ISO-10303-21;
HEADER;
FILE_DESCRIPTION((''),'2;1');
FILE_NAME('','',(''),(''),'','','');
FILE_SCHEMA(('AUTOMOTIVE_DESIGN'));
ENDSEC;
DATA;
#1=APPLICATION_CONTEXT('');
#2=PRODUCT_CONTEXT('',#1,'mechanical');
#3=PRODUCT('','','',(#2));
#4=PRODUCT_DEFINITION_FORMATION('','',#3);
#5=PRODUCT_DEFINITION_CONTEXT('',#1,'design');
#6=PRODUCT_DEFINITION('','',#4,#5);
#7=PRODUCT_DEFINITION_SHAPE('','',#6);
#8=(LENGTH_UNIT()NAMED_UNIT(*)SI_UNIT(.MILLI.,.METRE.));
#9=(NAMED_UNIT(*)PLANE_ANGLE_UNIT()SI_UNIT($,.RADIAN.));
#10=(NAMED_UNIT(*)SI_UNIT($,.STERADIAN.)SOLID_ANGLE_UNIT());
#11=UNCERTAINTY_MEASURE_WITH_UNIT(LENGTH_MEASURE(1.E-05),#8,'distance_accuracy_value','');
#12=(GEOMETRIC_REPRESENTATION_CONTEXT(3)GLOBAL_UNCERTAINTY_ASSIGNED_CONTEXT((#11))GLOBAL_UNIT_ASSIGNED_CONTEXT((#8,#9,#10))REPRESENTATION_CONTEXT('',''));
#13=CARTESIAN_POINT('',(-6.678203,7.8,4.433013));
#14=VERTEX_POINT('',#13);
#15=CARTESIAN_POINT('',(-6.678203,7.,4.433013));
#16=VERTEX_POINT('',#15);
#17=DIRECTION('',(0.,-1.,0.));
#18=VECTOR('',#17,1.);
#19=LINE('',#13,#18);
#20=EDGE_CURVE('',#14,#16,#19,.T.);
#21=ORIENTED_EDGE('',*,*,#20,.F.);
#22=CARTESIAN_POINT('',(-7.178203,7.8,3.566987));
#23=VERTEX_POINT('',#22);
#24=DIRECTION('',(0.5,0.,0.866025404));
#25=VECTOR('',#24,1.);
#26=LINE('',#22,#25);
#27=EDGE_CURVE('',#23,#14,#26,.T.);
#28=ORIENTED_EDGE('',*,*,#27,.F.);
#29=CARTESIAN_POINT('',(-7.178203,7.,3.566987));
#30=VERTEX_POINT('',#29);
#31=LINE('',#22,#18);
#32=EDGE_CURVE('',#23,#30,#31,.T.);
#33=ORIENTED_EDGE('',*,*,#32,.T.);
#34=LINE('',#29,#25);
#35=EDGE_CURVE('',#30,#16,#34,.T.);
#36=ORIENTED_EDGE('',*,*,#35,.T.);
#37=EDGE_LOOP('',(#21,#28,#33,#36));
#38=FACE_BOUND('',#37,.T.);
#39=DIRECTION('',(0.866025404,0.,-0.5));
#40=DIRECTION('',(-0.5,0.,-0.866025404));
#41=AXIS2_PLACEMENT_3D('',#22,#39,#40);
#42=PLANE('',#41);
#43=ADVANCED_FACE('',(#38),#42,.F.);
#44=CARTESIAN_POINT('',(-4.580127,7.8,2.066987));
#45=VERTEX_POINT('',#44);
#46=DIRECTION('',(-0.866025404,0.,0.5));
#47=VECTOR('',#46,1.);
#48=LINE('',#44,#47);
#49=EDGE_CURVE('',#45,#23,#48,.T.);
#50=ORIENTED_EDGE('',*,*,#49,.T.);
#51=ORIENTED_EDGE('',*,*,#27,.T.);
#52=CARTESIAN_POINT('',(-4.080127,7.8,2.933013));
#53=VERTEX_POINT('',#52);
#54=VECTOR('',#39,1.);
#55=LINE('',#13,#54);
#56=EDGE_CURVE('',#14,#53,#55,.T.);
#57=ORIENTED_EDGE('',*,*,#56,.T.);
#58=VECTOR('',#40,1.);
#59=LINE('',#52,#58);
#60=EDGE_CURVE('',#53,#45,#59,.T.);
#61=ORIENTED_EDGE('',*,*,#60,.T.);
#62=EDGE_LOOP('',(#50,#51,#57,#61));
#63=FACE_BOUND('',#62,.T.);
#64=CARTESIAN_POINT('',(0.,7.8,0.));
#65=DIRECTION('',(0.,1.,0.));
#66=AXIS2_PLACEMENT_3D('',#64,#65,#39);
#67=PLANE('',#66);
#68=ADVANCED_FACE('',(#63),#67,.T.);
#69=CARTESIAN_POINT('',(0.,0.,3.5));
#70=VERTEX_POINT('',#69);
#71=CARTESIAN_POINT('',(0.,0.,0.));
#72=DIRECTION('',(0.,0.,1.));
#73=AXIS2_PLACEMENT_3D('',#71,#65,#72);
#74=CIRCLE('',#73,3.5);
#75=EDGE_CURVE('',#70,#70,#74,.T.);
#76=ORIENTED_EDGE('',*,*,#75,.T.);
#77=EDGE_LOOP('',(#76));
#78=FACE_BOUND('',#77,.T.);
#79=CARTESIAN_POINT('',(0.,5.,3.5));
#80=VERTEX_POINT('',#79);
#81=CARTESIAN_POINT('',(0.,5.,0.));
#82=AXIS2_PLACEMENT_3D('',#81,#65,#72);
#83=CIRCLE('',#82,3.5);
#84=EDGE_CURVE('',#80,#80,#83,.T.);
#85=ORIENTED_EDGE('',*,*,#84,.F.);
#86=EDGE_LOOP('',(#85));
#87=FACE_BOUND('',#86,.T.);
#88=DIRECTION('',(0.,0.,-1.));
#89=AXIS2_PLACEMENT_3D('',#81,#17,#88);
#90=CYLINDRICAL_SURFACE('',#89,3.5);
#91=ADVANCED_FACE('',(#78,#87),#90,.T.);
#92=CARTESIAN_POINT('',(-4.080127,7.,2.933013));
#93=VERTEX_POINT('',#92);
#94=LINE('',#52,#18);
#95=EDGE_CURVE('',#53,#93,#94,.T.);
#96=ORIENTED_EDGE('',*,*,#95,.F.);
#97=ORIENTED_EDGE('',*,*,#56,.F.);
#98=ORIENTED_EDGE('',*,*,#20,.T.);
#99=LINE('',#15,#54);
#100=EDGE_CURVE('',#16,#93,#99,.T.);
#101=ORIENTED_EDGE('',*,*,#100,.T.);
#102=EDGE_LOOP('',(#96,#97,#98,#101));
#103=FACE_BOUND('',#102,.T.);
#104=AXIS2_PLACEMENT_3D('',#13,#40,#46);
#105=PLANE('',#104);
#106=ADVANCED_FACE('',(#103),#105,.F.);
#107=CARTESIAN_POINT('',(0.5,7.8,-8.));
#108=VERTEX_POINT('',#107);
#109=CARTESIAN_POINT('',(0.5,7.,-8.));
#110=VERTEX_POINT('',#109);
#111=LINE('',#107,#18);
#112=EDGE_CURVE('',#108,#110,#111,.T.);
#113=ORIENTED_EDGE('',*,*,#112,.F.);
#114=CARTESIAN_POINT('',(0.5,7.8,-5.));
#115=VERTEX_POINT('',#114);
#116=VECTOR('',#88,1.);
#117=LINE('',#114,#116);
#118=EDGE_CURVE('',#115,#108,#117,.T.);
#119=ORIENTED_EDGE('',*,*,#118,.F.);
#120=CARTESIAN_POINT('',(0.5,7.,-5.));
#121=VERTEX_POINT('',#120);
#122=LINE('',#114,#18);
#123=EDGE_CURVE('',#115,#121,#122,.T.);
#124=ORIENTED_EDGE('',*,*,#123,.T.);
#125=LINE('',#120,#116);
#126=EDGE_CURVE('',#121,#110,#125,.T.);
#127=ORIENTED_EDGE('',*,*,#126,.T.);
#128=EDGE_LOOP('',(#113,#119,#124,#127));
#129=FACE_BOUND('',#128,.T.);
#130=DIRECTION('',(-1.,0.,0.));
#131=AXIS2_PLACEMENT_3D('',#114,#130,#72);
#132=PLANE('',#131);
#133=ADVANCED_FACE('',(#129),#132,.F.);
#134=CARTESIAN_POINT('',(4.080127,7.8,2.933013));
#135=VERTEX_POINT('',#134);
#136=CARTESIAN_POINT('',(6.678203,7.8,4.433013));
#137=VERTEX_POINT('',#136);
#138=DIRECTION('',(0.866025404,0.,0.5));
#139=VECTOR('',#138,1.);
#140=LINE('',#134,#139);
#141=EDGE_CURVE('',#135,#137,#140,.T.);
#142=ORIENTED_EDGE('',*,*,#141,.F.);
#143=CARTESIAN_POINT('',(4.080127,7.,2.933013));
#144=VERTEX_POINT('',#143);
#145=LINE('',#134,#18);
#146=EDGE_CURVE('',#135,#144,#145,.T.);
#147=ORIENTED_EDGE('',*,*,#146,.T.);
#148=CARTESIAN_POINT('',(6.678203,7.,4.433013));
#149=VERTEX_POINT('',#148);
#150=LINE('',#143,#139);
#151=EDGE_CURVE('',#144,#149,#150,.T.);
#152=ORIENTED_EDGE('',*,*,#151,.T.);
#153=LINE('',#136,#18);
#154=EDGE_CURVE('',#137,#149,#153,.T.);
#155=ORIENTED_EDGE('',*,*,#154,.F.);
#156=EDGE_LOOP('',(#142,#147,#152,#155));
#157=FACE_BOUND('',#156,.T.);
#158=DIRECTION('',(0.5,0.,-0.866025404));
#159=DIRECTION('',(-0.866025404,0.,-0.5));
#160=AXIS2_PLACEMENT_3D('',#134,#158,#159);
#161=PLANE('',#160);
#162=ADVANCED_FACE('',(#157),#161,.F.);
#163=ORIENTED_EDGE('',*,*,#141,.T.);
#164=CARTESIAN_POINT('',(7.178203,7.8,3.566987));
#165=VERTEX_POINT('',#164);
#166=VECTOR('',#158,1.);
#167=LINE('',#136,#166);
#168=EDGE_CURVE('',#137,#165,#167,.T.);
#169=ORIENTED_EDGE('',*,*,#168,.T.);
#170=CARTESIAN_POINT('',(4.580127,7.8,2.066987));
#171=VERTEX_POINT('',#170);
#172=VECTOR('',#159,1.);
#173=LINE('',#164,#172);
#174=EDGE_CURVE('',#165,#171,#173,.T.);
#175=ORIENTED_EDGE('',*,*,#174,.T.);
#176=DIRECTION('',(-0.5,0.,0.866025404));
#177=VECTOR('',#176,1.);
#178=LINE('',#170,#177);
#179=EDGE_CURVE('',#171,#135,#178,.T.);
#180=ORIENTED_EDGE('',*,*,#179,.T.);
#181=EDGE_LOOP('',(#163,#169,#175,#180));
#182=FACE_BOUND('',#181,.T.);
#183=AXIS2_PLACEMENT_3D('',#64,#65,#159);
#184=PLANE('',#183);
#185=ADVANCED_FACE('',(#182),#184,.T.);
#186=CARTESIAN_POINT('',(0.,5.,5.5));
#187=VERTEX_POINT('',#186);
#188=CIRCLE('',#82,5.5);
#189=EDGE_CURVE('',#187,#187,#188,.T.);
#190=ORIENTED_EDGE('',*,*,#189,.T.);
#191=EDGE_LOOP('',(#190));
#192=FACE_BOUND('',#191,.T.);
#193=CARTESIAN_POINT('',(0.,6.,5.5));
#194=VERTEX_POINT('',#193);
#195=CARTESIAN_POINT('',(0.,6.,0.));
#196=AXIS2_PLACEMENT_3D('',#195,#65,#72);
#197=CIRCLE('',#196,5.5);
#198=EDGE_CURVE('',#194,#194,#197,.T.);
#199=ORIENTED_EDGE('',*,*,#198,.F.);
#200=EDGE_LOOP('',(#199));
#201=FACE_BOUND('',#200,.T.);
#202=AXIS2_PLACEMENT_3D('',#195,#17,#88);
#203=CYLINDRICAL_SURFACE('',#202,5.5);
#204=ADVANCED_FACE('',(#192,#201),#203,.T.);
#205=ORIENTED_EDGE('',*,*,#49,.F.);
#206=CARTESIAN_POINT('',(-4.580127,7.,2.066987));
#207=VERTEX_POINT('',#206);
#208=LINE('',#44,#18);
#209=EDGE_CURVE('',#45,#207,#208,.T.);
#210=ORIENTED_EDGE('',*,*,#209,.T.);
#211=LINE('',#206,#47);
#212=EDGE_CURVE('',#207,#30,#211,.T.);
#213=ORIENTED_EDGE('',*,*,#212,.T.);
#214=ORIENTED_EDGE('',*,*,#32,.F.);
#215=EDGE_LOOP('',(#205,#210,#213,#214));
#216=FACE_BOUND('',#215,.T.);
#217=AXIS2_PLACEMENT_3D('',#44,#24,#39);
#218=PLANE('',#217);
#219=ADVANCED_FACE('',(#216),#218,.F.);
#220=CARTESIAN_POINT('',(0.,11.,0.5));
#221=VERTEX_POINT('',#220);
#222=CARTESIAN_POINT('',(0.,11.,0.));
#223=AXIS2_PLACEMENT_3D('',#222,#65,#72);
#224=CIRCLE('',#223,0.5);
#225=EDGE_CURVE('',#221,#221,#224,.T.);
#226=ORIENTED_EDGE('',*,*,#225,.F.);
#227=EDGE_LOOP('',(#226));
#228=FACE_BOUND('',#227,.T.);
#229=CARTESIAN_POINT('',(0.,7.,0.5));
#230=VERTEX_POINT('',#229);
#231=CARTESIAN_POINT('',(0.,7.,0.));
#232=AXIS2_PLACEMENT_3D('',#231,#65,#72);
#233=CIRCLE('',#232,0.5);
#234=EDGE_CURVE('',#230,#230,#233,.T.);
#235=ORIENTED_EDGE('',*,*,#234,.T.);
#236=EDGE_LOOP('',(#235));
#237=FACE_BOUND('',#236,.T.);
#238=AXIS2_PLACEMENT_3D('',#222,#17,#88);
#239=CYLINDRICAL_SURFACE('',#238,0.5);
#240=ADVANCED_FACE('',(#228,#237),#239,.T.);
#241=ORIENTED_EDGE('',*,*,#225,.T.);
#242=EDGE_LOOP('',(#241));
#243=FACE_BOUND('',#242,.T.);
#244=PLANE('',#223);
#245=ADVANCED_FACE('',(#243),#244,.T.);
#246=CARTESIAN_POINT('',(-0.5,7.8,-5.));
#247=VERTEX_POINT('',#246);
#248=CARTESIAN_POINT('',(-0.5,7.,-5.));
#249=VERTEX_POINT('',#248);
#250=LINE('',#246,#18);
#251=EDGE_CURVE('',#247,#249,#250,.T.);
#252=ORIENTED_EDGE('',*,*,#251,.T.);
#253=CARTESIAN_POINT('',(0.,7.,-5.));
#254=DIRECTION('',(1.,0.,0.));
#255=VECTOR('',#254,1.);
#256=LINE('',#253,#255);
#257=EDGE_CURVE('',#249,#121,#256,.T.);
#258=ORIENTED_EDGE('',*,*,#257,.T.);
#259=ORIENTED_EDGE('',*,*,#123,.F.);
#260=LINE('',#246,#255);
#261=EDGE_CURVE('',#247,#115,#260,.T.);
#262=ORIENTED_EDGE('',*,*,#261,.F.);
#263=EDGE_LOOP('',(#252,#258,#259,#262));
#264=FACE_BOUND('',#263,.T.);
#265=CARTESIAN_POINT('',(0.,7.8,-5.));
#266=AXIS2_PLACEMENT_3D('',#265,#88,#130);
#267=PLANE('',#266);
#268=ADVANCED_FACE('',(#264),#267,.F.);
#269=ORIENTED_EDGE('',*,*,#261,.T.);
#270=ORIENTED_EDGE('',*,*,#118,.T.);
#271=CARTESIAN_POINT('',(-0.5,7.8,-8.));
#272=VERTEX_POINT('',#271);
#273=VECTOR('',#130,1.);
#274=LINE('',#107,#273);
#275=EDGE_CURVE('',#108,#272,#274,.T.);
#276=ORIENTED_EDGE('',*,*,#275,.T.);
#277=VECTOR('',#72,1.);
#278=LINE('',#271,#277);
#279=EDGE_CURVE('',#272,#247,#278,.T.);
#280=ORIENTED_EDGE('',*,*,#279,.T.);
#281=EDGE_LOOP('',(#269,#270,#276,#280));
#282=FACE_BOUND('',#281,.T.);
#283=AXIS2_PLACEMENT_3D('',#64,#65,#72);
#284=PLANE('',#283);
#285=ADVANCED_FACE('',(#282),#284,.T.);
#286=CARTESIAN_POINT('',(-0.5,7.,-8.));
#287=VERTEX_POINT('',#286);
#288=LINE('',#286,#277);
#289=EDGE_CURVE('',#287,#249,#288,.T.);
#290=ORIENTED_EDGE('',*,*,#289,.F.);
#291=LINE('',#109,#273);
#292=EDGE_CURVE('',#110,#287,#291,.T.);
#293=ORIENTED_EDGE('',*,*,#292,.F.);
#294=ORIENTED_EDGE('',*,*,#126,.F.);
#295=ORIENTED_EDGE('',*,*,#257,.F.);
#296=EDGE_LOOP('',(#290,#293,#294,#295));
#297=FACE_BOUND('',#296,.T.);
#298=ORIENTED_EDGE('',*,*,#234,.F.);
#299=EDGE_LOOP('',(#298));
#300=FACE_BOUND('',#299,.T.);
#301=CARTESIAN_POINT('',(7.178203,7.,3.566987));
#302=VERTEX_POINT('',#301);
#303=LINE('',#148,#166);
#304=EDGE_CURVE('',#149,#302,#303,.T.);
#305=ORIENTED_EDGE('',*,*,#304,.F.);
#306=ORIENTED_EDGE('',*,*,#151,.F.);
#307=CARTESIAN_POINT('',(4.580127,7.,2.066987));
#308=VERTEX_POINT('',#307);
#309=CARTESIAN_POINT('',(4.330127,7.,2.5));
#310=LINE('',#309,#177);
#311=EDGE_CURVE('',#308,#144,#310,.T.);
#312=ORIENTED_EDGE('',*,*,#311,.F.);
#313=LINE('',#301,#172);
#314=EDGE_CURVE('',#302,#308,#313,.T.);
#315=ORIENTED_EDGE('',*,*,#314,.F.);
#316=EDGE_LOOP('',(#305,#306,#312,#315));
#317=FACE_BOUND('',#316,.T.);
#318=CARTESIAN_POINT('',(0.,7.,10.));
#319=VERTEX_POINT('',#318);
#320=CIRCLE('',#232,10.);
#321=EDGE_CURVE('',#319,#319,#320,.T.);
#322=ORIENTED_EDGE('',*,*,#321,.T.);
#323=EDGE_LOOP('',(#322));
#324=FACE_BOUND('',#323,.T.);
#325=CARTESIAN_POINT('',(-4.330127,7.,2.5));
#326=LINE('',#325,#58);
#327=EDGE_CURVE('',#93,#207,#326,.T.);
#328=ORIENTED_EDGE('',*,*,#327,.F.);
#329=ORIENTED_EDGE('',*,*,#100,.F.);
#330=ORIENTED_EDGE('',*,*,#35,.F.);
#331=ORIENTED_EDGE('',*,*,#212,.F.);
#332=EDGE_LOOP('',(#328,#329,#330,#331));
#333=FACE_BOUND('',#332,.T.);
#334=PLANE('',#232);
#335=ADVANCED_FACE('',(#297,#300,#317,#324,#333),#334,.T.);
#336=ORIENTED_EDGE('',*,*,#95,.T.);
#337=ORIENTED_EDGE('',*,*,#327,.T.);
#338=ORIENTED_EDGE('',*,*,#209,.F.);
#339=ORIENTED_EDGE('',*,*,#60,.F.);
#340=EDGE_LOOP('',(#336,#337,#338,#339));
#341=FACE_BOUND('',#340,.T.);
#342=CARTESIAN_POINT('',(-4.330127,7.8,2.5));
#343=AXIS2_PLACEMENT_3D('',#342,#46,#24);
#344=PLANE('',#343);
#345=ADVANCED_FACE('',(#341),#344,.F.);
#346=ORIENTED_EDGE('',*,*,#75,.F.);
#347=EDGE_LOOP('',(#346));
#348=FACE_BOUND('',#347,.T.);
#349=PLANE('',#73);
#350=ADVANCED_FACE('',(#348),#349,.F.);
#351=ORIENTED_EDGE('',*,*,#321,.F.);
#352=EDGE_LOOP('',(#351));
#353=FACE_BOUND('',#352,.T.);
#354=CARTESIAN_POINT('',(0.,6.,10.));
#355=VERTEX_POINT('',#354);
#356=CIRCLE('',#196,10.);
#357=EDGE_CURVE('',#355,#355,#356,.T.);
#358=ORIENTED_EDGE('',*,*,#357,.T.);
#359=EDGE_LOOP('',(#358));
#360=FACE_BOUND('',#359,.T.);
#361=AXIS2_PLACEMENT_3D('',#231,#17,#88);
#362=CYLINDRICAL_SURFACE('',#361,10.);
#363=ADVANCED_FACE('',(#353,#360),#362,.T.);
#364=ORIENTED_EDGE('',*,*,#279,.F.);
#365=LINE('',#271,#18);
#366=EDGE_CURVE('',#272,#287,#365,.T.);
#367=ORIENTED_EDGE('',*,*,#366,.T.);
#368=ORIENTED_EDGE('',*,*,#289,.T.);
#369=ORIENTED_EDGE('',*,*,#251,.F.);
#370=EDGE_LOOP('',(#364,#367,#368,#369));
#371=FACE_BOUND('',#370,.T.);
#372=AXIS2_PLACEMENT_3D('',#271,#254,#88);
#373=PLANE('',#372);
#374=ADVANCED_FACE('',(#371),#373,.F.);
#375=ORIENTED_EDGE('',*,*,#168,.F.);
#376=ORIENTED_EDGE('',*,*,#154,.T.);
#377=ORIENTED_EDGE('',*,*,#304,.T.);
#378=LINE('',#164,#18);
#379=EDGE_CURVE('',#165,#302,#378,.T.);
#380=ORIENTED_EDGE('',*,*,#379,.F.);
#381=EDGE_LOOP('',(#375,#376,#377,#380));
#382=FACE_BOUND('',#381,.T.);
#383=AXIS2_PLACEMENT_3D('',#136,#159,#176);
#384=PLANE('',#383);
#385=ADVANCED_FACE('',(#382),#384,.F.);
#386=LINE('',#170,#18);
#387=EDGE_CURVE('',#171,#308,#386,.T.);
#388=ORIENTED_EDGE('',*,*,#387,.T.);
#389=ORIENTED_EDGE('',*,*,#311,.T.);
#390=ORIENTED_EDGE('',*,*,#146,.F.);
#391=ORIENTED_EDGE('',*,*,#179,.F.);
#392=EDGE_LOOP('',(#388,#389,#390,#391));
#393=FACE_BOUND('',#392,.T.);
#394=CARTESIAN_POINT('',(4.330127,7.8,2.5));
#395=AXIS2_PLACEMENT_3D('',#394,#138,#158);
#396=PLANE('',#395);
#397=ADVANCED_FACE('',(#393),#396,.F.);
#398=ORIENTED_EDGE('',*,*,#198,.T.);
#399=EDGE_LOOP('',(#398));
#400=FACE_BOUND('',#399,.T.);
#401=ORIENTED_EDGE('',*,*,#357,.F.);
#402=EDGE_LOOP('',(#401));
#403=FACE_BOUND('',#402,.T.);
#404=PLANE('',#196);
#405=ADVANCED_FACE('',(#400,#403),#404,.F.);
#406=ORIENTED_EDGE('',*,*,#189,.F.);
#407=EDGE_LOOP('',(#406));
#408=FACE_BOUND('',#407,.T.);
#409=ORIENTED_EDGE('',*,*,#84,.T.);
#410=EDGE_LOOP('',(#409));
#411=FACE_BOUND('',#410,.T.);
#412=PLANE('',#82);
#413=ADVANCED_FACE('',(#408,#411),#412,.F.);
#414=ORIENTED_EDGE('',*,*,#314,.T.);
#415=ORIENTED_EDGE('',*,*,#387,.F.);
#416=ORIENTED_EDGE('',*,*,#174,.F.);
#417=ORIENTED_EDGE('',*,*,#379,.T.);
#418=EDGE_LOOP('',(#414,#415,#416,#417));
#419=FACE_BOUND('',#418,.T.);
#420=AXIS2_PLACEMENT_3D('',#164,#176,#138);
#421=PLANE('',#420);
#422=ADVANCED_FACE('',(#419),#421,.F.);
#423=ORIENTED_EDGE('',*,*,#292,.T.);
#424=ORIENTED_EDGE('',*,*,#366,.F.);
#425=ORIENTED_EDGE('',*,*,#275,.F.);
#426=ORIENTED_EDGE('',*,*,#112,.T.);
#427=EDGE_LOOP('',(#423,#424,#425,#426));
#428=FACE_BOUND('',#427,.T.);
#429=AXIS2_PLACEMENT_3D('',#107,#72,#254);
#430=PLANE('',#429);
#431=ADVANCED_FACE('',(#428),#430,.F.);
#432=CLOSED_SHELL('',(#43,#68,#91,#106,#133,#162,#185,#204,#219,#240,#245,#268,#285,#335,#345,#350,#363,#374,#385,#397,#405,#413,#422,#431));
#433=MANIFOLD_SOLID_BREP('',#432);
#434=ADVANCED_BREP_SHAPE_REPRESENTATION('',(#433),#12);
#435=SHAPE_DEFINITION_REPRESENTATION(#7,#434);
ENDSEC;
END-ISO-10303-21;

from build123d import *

# Parameters (mm, degrees)
ESQUISSE1_R                  = 3.5
BOSS_EXTRU_1_DEPTH           = 5
ESQUISSE4_R                  = 5.5
BOSS_EXTRU_3_DEPTH           = 1
ESQUISSE5_R                  = 10
BOSS_EXTRU_4_DEPTH           = 1
ESQUISSE6_R                  = 0.5
BOSS_EXTRU_5_DEPTH           = 4
BOSS_EXTRU_6_DEPTH           = 0.8
R_P_TITION_CIRCULAIRE1_COUNT = 3


with BuildPart() as part:
    # Esquisse1 → Boss.-Extru.1 (new body)
    with BuildSketch(Plane(origin=(0, 0, 0), x_dir=(1, 0, 0), z_dir=(0, 1, 0))):
        with Locations(Location((0, 0, 0), (0, 0, 270))):
            Circle(ESQUISSE1_R)
    extrude(amount=BOSS_EXTRU_1_DEPTH)

    # Esquisse4 → Boss.-Extru.3 (add)
    with BuildSketch(Plane(origin=(0, 5, 0), x_dir=(1, 0, 0), z_dir=(0, 1, 0))):
        with Locations(Location((0, 0, 0), (0, 0, 270))):
            Circle(ESQUISSE4_R)
    extrude(amount=BOSS_EXTRU_3_DEPTH)

    # Esquisse5 → Boss.-Extru.4 (add)
    with BuildSketch(Plane(origin=(0, 6, 0), x_dir=(1, 0, 0), z_dir=(0, 1, 0))):
        with Locations(Location((0, 0, 0), (0, 0, 270))):
            Circle(ESQUISSE5_R)
    extrude(amount=BOSS_EXTRU_4_DEPTH)

    # Esquisse6 → Boss.-Extru.5 (add)
    with BuildSketch(Plane(origin=(0, 7, 0), x_dir=(1, 0, 0), z_dir=(0, 1, 0))):
        with Locations(Location((0, 0, 0), (0, 0, 270))):
            Circle(ESQUISSE6_R)
    extrude(amount=BOSS_EXTRU_5_DEPTH)

    # Esquisse7 → Boss.-Extru.6 (add)
    with BuildSketch(Plane(origin=(0, 7, 0), x_dir=(1, 0, 0), z_dir=(0, 1, 0))):
        Polygon((0, 5), (0.5, 5), (0.5, 8), (-0.5, 8), (-0.5, 5), align=None)
    boss_extru_6 = extrude(amount=BOSS_EXTRU_6_DEPTH)

    # Répétition circulaire1: Boss.-Extru.6 ×3 about axis
    r_p_tition_circulaire1_axis = Axis((0, 0, 0), (0, 1, 0))
    for i in range(1, R_P_TITION_CIRCULAIRE1_COUNT):
        add(boss_extru_6.rotate(r_p_tition_circulaire1_axis, i * 360 / R_P_TITION_CIRCULAIRE1_COUNT))


solid = part.part
